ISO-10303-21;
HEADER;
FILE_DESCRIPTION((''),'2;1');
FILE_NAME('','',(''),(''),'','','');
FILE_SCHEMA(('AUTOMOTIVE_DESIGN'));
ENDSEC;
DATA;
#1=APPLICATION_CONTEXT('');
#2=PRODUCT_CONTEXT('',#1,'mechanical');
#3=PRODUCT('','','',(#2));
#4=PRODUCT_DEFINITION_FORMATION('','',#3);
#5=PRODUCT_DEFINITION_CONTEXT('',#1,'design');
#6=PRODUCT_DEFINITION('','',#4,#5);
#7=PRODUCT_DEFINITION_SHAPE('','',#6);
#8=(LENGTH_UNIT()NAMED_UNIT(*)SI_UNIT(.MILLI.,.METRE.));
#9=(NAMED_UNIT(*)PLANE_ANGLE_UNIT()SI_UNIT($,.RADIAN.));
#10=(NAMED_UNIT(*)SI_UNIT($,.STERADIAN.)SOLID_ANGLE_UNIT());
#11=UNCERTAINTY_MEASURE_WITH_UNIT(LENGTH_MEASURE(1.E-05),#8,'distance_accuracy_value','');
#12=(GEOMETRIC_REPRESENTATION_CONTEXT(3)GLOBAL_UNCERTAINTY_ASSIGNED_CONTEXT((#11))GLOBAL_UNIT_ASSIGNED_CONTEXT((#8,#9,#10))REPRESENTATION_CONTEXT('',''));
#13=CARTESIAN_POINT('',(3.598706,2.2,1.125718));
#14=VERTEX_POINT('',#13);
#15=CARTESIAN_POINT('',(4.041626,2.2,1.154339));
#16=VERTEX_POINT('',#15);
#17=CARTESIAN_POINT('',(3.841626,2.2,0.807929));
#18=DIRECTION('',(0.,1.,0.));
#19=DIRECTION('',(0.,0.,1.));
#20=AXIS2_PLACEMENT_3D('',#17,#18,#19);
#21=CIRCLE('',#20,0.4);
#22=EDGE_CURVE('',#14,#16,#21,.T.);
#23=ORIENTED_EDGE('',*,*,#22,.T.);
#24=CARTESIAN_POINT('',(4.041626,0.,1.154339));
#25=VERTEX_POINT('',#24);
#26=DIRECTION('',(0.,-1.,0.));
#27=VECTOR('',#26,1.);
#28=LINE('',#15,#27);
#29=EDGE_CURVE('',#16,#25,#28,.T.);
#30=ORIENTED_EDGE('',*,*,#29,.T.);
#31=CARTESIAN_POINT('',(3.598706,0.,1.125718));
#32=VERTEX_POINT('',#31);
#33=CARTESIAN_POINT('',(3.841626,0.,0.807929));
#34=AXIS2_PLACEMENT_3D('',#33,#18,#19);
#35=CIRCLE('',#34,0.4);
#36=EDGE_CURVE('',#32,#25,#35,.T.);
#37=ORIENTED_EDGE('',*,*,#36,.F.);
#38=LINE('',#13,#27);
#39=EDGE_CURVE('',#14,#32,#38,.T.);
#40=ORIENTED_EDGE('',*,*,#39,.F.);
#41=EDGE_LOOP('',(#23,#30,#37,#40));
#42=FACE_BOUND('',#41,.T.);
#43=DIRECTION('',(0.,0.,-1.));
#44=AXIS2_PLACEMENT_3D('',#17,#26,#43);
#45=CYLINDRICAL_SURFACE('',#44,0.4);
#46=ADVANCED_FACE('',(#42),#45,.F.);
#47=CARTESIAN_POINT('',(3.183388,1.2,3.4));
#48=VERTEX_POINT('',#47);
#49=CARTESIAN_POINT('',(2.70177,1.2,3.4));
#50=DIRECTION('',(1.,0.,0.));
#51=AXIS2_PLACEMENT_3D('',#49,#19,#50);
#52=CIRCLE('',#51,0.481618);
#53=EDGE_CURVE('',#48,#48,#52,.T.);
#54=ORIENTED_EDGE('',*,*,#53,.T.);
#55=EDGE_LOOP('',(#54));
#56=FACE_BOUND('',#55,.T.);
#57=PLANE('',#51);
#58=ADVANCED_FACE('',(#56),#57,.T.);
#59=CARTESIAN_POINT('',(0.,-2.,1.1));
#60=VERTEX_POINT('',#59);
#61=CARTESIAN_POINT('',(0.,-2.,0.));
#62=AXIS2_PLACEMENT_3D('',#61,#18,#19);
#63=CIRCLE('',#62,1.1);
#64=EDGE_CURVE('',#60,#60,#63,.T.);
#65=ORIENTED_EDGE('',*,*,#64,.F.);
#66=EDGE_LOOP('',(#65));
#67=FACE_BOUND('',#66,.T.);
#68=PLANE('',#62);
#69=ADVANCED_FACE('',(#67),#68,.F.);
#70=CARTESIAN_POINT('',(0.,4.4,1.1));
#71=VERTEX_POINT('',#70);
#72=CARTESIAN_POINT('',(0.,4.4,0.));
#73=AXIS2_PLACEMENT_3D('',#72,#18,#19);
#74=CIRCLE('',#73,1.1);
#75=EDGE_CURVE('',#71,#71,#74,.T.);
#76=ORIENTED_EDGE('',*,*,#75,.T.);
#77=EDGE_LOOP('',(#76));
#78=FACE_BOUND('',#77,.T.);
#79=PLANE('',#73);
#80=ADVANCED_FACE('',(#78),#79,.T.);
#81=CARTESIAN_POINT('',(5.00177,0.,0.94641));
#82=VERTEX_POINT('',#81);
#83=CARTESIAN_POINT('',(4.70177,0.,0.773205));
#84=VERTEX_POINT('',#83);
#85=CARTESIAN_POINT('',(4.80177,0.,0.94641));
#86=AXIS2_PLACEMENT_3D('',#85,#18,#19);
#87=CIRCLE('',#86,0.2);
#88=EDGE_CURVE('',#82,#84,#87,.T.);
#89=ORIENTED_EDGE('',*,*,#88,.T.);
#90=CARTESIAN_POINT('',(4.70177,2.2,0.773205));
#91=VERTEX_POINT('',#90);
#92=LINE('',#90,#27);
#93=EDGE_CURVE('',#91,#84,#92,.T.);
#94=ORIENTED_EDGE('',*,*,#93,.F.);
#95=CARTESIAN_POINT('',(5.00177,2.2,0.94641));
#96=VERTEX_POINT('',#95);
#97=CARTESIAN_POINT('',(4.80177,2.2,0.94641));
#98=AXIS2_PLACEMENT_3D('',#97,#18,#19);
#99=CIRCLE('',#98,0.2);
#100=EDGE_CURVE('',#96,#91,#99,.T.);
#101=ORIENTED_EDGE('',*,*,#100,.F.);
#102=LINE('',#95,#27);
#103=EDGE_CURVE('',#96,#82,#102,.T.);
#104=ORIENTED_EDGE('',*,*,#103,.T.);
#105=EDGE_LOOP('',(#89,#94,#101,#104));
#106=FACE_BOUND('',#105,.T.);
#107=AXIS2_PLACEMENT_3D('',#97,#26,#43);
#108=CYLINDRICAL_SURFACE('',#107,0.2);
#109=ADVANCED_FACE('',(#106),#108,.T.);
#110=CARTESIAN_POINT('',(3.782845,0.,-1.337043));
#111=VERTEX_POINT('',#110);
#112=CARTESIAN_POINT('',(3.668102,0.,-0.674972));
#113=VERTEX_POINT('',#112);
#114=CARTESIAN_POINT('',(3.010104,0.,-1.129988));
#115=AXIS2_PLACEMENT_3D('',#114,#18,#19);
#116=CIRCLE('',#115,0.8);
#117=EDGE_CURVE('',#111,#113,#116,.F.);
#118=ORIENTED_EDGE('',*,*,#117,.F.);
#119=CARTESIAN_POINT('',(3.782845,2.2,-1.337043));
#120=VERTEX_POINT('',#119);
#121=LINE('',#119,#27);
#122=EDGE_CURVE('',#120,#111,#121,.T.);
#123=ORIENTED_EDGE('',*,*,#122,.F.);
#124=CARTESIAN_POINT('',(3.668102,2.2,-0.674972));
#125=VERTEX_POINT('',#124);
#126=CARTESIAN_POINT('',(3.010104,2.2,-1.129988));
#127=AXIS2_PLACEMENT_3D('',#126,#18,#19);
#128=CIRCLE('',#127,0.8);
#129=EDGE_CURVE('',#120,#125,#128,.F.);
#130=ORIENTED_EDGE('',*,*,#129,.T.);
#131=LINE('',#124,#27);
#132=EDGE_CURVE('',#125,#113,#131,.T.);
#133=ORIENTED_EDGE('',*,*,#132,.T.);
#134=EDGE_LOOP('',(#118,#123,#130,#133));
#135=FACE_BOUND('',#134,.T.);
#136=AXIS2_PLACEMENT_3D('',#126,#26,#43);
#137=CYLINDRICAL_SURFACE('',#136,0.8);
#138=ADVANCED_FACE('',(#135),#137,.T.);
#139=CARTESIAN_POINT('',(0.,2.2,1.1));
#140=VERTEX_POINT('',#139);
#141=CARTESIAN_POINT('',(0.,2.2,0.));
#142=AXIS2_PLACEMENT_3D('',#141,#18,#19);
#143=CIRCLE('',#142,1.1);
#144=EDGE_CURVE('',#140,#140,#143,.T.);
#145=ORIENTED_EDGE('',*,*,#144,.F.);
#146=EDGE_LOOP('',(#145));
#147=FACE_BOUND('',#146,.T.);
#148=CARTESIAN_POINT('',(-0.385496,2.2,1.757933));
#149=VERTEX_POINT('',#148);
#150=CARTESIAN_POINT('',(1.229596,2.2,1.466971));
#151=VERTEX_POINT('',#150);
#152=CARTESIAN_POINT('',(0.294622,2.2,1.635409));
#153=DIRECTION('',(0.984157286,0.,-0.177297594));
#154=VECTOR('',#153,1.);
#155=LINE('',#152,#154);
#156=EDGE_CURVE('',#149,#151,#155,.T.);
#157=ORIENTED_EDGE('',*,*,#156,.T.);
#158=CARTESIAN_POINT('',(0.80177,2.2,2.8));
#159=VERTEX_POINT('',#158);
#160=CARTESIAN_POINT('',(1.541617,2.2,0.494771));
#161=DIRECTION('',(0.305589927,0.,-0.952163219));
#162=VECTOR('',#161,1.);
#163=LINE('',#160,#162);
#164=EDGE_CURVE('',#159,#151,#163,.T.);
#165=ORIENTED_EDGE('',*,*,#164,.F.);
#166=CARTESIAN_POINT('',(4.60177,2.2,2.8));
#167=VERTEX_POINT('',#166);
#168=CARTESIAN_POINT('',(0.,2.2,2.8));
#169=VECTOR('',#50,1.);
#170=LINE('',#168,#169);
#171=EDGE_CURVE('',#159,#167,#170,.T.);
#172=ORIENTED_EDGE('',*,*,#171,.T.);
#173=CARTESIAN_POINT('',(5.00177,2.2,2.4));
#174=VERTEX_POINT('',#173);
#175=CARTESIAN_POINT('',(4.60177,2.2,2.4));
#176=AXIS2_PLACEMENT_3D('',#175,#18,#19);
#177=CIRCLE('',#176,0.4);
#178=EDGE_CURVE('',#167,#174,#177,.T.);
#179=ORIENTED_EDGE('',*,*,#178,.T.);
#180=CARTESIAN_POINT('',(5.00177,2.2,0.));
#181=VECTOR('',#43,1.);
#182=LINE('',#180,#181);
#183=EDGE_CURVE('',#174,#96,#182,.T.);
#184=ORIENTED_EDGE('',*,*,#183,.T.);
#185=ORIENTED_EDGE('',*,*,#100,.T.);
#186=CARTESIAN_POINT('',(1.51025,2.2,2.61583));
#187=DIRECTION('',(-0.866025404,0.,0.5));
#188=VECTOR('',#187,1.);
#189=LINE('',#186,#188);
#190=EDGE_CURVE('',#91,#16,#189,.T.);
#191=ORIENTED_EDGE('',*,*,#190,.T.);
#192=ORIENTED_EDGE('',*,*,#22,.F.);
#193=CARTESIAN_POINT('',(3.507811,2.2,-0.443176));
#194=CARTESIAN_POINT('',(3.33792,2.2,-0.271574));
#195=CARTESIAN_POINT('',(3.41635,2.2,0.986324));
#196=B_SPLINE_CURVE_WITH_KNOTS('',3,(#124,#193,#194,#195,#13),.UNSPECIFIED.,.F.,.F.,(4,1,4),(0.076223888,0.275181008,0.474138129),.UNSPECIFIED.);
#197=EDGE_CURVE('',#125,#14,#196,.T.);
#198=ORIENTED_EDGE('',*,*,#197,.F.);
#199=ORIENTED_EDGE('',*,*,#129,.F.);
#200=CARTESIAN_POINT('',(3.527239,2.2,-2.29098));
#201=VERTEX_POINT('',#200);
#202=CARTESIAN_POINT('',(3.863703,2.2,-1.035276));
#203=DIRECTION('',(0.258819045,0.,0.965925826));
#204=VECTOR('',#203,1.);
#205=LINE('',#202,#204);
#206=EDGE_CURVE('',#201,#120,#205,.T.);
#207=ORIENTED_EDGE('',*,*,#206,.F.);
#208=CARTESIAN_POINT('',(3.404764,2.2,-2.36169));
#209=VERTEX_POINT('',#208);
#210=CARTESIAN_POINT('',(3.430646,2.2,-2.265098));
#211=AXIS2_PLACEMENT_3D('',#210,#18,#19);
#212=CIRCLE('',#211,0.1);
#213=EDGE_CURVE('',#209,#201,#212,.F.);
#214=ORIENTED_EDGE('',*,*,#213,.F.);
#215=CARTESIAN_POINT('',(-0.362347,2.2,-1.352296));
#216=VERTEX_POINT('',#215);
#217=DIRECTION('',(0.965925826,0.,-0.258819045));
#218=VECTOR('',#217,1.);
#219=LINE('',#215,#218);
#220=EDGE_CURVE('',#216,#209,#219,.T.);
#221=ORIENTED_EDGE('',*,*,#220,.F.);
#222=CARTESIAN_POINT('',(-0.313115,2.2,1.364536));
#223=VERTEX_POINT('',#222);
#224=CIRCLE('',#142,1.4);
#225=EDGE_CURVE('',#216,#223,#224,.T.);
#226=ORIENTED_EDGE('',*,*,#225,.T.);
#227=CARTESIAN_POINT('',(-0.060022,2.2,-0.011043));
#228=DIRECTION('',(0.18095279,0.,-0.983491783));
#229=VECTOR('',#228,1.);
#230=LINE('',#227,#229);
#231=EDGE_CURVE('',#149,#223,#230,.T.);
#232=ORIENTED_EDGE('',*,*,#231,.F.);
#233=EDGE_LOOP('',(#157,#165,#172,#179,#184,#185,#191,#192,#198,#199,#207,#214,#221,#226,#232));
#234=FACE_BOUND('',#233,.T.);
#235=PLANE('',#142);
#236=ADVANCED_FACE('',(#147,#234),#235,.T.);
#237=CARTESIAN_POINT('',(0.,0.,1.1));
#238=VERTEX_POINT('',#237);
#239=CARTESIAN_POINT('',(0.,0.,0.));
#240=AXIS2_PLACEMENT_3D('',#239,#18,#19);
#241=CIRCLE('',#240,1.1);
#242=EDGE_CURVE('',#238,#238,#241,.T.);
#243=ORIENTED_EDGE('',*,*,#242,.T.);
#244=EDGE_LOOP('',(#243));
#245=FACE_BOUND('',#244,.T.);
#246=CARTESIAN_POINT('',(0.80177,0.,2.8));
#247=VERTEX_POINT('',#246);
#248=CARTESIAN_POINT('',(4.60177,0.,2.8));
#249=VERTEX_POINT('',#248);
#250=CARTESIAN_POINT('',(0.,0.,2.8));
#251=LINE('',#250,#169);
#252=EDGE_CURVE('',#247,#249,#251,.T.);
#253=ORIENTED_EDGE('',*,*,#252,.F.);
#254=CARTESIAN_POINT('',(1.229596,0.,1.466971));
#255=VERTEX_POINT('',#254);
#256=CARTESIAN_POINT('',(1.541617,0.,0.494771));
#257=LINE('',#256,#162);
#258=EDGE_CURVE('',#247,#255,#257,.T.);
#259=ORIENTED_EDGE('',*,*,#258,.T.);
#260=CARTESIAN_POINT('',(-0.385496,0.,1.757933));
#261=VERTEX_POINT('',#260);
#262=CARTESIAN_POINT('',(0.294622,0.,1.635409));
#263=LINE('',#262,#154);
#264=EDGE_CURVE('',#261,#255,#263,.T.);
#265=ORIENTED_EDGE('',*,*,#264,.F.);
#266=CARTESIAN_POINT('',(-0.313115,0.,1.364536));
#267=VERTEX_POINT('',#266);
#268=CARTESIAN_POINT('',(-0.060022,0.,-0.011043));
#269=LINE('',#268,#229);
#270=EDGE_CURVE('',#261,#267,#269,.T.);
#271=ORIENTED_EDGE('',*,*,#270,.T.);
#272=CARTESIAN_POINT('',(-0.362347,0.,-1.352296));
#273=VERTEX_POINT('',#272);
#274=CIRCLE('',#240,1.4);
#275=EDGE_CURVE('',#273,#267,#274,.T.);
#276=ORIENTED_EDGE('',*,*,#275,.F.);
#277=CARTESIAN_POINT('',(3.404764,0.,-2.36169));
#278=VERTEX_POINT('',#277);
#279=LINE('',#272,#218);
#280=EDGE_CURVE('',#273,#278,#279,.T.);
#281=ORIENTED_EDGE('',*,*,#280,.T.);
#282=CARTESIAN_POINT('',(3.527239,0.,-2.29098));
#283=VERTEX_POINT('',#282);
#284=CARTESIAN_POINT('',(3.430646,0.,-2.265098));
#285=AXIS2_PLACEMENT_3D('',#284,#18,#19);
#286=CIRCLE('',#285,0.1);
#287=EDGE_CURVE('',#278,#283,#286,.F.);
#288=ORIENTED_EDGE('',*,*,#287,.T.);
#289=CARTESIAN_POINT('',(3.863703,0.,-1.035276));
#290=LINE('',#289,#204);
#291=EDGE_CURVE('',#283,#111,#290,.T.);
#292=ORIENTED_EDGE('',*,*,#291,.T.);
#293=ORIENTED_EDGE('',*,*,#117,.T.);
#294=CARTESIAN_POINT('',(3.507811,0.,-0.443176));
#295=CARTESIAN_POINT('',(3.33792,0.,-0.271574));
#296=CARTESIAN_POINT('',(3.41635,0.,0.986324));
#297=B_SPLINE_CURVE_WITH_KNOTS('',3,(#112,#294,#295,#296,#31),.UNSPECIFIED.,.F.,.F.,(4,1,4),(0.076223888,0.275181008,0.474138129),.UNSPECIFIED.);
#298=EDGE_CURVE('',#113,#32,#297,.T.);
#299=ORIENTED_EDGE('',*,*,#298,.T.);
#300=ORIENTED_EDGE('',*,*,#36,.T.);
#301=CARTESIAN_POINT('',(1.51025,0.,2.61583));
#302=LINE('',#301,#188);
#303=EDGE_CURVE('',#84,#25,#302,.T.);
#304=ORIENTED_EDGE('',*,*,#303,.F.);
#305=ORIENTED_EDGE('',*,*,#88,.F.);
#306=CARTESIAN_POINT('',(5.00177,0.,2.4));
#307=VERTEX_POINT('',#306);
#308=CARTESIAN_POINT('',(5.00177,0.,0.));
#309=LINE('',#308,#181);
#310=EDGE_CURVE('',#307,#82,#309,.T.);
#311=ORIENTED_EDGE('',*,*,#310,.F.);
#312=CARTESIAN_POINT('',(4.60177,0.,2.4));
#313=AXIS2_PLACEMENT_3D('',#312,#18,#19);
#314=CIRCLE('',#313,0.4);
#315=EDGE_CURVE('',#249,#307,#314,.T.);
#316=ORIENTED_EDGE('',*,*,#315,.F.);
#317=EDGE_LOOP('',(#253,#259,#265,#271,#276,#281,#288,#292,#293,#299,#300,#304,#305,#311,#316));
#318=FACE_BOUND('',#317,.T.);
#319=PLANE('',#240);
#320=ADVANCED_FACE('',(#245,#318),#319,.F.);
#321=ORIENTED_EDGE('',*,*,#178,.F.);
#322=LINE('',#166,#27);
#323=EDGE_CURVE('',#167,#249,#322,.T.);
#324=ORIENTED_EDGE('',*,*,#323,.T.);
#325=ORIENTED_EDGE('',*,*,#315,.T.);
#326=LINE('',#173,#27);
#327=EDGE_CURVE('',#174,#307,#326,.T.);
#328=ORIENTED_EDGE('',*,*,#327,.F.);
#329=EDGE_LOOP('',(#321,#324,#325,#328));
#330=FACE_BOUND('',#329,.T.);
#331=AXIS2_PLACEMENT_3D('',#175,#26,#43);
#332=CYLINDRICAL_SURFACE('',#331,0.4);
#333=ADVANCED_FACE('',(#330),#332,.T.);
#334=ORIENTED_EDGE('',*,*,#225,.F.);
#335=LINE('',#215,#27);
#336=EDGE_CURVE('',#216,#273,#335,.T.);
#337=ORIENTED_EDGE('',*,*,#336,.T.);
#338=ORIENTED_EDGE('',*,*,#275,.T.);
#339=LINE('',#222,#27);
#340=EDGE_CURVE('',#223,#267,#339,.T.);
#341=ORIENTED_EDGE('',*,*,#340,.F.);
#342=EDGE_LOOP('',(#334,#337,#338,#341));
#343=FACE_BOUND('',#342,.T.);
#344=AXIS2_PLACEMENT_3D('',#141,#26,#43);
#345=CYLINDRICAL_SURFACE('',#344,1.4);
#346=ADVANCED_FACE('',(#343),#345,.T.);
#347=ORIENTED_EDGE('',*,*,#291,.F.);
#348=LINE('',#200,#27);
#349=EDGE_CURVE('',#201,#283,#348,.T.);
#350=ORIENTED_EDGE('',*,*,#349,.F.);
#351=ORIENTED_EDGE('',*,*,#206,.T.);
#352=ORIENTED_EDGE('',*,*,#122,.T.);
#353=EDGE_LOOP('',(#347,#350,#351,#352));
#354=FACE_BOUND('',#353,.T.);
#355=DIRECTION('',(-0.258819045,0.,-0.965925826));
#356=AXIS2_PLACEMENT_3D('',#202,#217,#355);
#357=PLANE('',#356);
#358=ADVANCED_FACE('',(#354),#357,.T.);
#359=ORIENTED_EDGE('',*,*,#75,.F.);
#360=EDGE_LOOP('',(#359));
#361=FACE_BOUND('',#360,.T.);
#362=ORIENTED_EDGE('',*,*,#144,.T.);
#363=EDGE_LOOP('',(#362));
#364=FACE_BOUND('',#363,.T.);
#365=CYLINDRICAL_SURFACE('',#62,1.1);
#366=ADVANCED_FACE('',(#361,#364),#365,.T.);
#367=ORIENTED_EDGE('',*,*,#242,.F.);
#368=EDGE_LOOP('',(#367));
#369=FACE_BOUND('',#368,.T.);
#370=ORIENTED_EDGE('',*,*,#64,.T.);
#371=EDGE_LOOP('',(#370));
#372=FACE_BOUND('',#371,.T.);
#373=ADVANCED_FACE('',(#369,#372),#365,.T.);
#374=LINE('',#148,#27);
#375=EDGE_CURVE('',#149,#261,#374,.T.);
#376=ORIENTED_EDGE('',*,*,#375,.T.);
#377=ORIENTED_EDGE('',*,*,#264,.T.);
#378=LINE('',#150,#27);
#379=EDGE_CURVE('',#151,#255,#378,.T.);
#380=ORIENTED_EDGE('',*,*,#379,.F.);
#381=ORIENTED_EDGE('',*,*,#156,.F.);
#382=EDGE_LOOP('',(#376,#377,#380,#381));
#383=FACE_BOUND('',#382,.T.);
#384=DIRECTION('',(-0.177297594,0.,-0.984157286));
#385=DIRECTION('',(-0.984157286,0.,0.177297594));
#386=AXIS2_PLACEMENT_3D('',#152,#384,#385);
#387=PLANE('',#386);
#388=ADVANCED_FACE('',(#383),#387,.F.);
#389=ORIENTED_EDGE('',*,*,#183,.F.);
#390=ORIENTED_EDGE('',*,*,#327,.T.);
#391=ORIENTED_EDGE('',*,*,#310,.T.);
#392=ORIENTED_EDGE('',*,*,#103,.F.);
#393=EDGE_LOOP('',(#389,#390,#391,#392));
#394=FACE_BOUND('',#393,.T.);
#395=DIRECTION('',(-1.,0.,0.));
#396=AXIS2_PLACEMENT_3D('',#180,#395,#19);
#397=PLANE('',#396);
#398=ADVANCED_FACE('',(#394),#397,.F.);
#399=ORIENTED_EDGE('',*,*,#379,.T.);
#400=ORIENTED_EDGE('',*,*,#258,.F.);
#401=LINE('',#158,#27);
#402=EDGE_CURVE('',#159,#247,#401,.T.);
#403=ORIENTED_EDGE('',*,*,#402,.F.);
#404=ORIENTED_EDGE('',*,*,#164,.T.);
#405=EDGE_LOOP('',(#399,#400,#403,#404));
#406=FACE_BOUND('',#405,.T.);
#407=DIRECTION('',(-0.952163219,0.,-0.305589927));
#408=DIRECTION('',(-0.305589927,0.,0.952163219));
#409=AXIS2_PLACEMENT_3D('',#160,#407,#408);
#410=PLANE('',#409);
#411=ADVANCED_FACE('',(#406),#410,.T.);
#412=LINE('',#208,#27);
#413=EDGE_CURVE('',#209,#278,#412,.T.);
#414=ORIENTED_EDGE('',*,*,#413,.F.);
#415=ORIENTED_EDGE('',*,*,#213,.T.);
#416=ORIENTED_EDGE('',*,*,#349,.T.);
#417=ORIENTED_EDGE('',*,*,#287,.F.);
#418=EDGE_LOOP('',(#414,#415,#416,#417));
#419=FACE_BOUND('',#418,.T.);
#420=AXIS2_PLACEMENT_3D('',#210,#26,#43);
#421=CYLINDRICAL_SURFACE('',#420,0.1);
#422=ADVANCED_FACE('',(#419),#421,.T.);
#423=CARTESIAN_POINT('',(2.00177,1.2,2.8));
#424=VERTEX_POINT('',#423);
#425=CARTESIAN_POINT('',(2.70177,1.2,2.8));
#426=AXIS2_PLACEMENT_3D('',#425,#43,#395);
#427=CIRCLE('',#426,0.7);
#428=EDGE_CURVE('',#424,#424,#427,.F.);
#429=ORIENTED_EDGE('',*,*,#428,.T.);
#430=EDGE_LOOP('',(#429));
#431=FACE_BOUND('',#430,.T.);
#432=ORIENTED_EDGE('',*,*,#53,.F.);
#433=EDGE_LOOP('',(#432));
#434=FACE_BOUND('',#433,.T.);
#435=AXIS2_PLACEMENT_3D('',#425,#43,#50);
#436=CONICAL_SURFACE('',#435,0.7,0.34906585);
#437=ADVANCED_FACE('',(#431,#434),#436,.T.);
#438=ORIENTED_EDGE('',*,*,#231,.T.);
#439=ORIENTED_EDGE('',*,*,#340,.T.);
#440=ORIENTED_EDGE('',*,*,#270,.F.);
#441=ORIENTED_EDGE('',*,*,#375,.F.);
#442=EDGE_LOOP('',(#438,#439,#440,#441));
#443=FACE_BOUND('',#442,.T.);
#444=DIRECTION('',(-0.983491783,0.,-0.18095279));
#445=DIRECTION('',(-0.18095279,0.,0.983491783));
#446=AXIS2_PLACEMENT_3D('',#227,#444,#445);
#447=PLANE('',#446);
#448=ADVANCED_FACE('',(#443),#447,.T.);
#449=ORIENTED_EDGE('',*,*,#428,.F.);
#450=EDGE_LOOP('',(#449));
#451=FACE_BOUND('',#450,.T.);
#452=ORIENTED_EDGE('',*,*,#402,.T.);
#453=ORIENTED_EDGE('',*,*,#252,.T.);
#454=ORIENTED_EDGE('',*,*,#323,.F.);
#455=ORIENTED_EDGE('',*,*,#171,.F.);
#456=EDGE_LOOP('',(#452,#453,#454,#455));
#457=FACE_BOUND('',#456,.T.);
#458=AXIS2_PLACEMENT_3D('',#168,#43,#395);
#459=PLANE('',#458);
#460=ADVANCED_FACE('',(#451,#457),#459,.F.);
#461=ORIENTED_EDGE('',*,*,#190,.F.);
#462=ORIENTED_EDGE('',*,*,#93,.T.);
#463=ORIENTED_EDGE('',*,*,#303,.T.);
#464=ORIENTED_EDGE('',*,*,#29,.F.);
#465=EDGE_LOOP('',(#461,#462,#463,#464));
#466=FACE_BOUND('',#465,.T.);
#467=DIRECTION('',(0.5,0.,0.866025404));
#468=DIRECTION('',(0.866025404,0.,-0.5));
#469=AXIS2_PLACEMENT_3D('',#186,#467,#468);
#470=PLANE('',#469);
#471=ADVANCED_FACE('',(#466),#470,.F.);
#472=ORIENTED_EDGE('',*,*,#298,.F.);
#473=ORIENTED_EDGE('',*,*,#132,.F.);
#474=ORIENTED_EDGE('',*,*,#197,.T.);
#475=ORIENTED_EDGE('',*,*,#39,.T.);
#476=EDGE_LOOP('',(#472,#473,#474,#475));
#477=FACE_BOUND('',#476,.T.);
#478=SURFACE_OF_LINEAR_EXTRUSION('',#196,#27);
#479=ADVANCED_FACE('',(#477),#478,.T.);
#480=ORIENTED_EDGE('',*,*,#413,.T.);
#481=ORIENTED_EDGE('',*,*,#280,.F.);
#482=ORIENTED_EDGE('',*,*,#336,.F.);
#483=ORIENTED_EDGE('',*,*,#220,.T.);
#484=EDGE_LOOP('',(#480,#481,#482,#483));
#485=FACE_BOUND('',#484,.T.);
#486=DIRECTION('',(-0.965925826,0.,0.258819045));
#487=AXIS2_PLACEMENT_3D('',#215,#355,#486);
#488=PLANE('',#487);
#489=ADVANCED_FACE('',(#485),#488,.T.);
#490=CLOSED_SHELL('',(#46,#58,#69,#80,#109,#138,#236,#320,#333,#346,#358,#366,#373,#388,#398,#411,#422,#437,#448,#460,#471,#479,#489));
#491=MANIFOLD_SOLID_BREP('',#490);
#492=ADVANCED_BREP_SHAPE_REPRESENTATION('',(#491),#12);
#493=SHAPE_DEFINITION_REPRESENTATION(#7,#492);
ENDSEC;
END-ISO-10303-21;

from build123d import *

# Parameters (mm, degrees)
BOSS_EXTRUDE1_DEPTH      = 2.2
BOSS_EXTRUDE2_DEPTH      = 4.4
BOSS_EXTRUDE2_DEPTH_BACK = 2
SKETCH1_3_R              = 1.1
SKETCH2_R                = 0.7
BOSS_EXTRUDE3_DEPTH      = 0.6
BOSS_EXTRUDE3_TAPER      = 20


with BuildPart() as part:
    # Sketch1 → Boss-Extrude1 (new body)
    with BuildSketch(Plane(origin=(0, 0, 0), x_dir=(1, 0, 0), z_dir=(0, 1, 0))):
        with BuildLine():
            Line((3.782845085, 1.337043166), (3.527238547, 2.290979755))
            ThreePointArc((3.527238547, 2.290979755), (3.480645964, 2.35170039), (3.404764059, 2.361690433))
            Line((3.404764059, 2.361690433), (-0.362346663, 1.352296157))
            ThreePointArc((-0.362346663, 1.352296157), (-1.399770195, -0.025365361), (-0.313114699, -1.364536253))
            Line((-0.313114699, -1.364536253), (-0.385495815, -1.757932966))
            Line((-0.385495815, -1.757932966), (1.229595775, -1.466971493))
            Line((1.229595775, -1.466971493), (0.801769877, -2.8))
            Line((0.801769877, -2.8), (4.601769877, -2.8))
            ThreePointArc((4.601769877, -2.8), (4.884612589, -2.682842712), (5.001769877, -2.4))
            Line((5.001769877, -2.4), (5.001769877, -0.946410162))
            ThreePointArc((5.001769877, -0.946410162), (4.901769877, -0.773205081), (4.701769877, -0.773205081))
            Line((4.701769877, -0.773205081), (4.041625762, -1.154339463))
            ThreePointArc((4.041625762, -1.154339463), (3.81583188, -1.20709678), (3.598705744, -1.125718327))
            add(Edge.make_bspline(
                [(3.668101763, 0.674971994), (3.507811171, 0.443176193), (3.337919583, 0.271573974), (3.416349663, -0.986324141), (3.598705744, -1.125718327)],
                knots=[0.076223888, 0.076223888, 0.076223888, 0.076223888, 0.275181008, 0.474138129, 0.474138129, 0.474138129, 0.474138129], degree=3))
            ThreePointArc((3.668101763, 0.674971994), (3.798353982, 0.993376676), (3.782845085, 1.337043166))
        make_face()
    extrude(amount=BOSS_EXTRUDE1_DEPTH)

    # Sketch1<3> → Boss-Extrude2 (add, two sides: drawn at the far end of the back side and taken through both)
    with BuildSketch(Plane(origin=(0, 0, 0), x_dir=(1, 0, 0), z_dir=(0, 1, 0)).offset(-BOSS_EXTRUDE2_DEPTH_BACK)):
        with Locations(Location((0, 0, 0), (0, 0, 270))):
            Circle(SKETCH1_3_R)
    extrude(amount=BOSS_EXTRUDE2_DEPTH + BOSS_EXTRUDE2_DEPTH_BACK)

    # Sketch2 → Boss-Extrude3 (add)
    with BuildSketch(Plane.XY.offset(2.8)):
        with Locations((2.701769877, 1.2)):
            Circle(SKETCH2_R)
    extrude(amount=BOSS_EXTRUDE3_DEPTH, taper=BOSS_EXTRUDE3_TAPER)


solid = part.part
